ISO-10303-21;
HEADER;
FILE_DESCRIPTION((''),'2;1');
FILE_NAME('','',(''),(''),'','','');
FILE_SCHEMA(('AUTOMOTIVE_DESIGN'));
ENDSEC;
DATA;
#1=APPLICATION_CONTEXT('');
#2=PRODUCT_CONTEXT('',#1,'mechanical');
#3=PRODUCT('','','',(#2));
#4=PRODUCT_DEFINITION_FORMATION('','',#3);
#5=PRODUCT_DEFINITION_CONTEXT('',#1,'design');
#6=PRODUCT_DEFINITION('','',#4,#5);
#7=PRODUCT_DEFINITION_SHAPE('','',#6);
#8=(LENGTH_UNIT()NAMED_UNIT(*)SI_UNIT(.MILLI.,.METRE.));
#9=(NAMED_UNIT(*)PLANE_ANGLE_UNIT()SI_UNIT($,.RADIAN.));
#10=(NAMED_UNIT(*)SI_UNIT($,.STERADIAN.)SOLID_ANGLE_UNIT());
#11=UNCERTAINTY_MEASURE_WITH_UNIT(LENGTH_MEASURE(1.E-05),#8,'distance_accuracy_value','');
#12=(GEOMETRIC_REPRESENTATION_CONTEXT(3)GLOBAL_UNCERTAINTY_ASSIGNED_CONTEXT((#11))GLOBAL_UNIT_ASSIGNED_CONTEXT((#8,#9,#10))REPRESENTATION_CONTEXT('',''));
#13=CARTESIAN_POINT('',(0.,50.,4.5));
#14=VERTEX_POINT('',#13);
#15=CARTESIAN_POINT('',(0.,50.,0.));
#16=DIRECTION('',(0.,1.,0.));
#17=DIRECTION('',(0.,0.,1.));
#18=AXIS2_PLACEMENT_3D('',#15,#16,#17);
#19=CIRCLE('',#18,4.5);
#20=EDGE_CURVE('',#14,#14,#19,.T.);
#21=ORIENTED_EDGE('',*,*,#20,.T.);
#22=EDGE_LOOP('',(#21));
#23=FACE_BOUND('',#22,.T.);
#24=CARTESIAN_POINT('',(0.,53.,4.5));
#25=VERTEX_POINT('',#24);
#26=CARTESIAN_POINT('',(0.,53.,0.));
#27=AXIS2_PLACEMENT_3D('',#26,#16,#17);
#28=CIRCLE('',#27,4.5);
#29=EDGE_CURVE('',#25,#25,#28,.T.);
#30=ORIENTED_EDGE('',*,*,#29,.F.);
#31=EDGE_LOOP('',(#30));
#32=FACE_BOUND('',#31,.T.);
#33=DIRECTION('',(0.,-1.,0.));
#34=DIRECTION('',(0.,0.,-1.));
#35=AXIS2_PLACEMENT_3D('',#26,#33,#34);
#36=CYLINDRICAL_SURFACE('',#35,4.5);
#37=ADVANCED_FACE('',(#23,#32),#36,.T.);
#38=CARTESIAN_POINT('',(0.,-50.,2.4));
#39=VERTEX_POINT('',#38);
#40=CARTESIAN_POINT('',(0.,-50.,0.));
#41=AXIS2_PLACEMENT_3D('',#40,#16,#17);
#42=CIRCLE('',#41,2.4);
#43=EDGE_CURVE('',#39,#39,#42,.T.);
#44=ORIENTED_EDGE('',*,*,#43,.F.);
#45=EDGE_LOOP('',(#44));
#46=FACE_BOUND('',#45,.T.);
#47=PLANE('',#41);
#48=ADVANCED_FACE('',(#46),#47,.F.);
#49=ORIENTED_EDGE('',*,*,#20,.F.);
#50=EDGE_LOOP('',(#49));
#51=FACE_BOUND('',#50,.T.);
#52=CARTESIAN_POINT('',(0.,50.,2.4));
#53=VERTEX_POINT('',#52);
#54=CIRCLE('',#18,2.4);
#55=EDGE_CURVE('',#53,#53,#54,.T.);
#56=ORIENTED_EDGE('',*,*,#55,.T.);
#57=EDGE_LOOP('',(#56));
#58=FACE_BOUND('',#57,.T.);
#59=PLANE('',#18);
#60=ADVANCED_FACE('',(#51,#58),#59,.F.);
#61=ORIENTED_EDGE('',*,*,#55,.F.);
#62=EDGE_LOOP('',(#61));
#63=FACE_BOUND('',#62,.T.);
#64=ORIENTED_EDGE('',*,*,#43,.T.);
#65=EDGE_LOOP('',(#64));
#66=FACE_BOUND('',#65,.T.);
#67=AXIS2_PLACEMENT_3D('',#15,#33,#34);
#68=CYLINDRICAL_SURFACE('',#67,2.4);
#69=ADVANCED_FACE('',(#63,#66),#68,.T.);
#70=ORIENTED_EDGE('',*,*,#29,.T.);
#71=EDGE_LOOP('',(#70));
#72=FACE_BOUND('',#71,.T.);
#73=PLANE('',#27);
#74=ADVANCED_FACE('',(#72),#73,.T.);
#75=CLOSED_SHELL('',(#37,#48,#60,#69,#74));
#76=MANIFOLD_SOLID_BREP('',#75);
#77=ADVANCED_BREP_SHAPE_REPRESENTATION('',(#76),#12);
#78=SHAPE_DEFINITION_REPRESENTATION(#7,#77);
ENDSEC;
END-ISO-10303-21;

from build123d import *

# Parameters (mm, degrees)
CROQUIS1_R              = 2.4
SALIENTE_EXTRUIR1_DEPTH = 50
CROQUIS2_R              = 4.5
SALIENTE_EXTRUIR2_DEPTH = 3


with BuildPart() as part:
    # Croquis1 → Saliente-Extruir1 (new, symmetric)
    with BuildSketch(Plane(origin=(0, 0, 0), x_dir=(1, 0, 0), z_dir=(0, 1, 0))):
        with Locations(Location((0, 0, 0), (0, 0, 270))):
            Circle(CROQUIS1_R)
    extrude(amount=SALIENTE_EXTRUIR1_DEPTH, both=True)

    # Croquis2 → Saliente-Extruir2 (add)
    with BuildSketch(Plane(origin=(0, 50, 0), x_dir=(1, 0, 0), z_dir=(0, 1, 0))):
        with Locations(Location((0, 0, 0), (0, 0, 270))):
            Circle(CROQUIS2_R)
    extrude(amount=SALIENTE_EXTRUIR2_DEPTH)


solid = part.part
